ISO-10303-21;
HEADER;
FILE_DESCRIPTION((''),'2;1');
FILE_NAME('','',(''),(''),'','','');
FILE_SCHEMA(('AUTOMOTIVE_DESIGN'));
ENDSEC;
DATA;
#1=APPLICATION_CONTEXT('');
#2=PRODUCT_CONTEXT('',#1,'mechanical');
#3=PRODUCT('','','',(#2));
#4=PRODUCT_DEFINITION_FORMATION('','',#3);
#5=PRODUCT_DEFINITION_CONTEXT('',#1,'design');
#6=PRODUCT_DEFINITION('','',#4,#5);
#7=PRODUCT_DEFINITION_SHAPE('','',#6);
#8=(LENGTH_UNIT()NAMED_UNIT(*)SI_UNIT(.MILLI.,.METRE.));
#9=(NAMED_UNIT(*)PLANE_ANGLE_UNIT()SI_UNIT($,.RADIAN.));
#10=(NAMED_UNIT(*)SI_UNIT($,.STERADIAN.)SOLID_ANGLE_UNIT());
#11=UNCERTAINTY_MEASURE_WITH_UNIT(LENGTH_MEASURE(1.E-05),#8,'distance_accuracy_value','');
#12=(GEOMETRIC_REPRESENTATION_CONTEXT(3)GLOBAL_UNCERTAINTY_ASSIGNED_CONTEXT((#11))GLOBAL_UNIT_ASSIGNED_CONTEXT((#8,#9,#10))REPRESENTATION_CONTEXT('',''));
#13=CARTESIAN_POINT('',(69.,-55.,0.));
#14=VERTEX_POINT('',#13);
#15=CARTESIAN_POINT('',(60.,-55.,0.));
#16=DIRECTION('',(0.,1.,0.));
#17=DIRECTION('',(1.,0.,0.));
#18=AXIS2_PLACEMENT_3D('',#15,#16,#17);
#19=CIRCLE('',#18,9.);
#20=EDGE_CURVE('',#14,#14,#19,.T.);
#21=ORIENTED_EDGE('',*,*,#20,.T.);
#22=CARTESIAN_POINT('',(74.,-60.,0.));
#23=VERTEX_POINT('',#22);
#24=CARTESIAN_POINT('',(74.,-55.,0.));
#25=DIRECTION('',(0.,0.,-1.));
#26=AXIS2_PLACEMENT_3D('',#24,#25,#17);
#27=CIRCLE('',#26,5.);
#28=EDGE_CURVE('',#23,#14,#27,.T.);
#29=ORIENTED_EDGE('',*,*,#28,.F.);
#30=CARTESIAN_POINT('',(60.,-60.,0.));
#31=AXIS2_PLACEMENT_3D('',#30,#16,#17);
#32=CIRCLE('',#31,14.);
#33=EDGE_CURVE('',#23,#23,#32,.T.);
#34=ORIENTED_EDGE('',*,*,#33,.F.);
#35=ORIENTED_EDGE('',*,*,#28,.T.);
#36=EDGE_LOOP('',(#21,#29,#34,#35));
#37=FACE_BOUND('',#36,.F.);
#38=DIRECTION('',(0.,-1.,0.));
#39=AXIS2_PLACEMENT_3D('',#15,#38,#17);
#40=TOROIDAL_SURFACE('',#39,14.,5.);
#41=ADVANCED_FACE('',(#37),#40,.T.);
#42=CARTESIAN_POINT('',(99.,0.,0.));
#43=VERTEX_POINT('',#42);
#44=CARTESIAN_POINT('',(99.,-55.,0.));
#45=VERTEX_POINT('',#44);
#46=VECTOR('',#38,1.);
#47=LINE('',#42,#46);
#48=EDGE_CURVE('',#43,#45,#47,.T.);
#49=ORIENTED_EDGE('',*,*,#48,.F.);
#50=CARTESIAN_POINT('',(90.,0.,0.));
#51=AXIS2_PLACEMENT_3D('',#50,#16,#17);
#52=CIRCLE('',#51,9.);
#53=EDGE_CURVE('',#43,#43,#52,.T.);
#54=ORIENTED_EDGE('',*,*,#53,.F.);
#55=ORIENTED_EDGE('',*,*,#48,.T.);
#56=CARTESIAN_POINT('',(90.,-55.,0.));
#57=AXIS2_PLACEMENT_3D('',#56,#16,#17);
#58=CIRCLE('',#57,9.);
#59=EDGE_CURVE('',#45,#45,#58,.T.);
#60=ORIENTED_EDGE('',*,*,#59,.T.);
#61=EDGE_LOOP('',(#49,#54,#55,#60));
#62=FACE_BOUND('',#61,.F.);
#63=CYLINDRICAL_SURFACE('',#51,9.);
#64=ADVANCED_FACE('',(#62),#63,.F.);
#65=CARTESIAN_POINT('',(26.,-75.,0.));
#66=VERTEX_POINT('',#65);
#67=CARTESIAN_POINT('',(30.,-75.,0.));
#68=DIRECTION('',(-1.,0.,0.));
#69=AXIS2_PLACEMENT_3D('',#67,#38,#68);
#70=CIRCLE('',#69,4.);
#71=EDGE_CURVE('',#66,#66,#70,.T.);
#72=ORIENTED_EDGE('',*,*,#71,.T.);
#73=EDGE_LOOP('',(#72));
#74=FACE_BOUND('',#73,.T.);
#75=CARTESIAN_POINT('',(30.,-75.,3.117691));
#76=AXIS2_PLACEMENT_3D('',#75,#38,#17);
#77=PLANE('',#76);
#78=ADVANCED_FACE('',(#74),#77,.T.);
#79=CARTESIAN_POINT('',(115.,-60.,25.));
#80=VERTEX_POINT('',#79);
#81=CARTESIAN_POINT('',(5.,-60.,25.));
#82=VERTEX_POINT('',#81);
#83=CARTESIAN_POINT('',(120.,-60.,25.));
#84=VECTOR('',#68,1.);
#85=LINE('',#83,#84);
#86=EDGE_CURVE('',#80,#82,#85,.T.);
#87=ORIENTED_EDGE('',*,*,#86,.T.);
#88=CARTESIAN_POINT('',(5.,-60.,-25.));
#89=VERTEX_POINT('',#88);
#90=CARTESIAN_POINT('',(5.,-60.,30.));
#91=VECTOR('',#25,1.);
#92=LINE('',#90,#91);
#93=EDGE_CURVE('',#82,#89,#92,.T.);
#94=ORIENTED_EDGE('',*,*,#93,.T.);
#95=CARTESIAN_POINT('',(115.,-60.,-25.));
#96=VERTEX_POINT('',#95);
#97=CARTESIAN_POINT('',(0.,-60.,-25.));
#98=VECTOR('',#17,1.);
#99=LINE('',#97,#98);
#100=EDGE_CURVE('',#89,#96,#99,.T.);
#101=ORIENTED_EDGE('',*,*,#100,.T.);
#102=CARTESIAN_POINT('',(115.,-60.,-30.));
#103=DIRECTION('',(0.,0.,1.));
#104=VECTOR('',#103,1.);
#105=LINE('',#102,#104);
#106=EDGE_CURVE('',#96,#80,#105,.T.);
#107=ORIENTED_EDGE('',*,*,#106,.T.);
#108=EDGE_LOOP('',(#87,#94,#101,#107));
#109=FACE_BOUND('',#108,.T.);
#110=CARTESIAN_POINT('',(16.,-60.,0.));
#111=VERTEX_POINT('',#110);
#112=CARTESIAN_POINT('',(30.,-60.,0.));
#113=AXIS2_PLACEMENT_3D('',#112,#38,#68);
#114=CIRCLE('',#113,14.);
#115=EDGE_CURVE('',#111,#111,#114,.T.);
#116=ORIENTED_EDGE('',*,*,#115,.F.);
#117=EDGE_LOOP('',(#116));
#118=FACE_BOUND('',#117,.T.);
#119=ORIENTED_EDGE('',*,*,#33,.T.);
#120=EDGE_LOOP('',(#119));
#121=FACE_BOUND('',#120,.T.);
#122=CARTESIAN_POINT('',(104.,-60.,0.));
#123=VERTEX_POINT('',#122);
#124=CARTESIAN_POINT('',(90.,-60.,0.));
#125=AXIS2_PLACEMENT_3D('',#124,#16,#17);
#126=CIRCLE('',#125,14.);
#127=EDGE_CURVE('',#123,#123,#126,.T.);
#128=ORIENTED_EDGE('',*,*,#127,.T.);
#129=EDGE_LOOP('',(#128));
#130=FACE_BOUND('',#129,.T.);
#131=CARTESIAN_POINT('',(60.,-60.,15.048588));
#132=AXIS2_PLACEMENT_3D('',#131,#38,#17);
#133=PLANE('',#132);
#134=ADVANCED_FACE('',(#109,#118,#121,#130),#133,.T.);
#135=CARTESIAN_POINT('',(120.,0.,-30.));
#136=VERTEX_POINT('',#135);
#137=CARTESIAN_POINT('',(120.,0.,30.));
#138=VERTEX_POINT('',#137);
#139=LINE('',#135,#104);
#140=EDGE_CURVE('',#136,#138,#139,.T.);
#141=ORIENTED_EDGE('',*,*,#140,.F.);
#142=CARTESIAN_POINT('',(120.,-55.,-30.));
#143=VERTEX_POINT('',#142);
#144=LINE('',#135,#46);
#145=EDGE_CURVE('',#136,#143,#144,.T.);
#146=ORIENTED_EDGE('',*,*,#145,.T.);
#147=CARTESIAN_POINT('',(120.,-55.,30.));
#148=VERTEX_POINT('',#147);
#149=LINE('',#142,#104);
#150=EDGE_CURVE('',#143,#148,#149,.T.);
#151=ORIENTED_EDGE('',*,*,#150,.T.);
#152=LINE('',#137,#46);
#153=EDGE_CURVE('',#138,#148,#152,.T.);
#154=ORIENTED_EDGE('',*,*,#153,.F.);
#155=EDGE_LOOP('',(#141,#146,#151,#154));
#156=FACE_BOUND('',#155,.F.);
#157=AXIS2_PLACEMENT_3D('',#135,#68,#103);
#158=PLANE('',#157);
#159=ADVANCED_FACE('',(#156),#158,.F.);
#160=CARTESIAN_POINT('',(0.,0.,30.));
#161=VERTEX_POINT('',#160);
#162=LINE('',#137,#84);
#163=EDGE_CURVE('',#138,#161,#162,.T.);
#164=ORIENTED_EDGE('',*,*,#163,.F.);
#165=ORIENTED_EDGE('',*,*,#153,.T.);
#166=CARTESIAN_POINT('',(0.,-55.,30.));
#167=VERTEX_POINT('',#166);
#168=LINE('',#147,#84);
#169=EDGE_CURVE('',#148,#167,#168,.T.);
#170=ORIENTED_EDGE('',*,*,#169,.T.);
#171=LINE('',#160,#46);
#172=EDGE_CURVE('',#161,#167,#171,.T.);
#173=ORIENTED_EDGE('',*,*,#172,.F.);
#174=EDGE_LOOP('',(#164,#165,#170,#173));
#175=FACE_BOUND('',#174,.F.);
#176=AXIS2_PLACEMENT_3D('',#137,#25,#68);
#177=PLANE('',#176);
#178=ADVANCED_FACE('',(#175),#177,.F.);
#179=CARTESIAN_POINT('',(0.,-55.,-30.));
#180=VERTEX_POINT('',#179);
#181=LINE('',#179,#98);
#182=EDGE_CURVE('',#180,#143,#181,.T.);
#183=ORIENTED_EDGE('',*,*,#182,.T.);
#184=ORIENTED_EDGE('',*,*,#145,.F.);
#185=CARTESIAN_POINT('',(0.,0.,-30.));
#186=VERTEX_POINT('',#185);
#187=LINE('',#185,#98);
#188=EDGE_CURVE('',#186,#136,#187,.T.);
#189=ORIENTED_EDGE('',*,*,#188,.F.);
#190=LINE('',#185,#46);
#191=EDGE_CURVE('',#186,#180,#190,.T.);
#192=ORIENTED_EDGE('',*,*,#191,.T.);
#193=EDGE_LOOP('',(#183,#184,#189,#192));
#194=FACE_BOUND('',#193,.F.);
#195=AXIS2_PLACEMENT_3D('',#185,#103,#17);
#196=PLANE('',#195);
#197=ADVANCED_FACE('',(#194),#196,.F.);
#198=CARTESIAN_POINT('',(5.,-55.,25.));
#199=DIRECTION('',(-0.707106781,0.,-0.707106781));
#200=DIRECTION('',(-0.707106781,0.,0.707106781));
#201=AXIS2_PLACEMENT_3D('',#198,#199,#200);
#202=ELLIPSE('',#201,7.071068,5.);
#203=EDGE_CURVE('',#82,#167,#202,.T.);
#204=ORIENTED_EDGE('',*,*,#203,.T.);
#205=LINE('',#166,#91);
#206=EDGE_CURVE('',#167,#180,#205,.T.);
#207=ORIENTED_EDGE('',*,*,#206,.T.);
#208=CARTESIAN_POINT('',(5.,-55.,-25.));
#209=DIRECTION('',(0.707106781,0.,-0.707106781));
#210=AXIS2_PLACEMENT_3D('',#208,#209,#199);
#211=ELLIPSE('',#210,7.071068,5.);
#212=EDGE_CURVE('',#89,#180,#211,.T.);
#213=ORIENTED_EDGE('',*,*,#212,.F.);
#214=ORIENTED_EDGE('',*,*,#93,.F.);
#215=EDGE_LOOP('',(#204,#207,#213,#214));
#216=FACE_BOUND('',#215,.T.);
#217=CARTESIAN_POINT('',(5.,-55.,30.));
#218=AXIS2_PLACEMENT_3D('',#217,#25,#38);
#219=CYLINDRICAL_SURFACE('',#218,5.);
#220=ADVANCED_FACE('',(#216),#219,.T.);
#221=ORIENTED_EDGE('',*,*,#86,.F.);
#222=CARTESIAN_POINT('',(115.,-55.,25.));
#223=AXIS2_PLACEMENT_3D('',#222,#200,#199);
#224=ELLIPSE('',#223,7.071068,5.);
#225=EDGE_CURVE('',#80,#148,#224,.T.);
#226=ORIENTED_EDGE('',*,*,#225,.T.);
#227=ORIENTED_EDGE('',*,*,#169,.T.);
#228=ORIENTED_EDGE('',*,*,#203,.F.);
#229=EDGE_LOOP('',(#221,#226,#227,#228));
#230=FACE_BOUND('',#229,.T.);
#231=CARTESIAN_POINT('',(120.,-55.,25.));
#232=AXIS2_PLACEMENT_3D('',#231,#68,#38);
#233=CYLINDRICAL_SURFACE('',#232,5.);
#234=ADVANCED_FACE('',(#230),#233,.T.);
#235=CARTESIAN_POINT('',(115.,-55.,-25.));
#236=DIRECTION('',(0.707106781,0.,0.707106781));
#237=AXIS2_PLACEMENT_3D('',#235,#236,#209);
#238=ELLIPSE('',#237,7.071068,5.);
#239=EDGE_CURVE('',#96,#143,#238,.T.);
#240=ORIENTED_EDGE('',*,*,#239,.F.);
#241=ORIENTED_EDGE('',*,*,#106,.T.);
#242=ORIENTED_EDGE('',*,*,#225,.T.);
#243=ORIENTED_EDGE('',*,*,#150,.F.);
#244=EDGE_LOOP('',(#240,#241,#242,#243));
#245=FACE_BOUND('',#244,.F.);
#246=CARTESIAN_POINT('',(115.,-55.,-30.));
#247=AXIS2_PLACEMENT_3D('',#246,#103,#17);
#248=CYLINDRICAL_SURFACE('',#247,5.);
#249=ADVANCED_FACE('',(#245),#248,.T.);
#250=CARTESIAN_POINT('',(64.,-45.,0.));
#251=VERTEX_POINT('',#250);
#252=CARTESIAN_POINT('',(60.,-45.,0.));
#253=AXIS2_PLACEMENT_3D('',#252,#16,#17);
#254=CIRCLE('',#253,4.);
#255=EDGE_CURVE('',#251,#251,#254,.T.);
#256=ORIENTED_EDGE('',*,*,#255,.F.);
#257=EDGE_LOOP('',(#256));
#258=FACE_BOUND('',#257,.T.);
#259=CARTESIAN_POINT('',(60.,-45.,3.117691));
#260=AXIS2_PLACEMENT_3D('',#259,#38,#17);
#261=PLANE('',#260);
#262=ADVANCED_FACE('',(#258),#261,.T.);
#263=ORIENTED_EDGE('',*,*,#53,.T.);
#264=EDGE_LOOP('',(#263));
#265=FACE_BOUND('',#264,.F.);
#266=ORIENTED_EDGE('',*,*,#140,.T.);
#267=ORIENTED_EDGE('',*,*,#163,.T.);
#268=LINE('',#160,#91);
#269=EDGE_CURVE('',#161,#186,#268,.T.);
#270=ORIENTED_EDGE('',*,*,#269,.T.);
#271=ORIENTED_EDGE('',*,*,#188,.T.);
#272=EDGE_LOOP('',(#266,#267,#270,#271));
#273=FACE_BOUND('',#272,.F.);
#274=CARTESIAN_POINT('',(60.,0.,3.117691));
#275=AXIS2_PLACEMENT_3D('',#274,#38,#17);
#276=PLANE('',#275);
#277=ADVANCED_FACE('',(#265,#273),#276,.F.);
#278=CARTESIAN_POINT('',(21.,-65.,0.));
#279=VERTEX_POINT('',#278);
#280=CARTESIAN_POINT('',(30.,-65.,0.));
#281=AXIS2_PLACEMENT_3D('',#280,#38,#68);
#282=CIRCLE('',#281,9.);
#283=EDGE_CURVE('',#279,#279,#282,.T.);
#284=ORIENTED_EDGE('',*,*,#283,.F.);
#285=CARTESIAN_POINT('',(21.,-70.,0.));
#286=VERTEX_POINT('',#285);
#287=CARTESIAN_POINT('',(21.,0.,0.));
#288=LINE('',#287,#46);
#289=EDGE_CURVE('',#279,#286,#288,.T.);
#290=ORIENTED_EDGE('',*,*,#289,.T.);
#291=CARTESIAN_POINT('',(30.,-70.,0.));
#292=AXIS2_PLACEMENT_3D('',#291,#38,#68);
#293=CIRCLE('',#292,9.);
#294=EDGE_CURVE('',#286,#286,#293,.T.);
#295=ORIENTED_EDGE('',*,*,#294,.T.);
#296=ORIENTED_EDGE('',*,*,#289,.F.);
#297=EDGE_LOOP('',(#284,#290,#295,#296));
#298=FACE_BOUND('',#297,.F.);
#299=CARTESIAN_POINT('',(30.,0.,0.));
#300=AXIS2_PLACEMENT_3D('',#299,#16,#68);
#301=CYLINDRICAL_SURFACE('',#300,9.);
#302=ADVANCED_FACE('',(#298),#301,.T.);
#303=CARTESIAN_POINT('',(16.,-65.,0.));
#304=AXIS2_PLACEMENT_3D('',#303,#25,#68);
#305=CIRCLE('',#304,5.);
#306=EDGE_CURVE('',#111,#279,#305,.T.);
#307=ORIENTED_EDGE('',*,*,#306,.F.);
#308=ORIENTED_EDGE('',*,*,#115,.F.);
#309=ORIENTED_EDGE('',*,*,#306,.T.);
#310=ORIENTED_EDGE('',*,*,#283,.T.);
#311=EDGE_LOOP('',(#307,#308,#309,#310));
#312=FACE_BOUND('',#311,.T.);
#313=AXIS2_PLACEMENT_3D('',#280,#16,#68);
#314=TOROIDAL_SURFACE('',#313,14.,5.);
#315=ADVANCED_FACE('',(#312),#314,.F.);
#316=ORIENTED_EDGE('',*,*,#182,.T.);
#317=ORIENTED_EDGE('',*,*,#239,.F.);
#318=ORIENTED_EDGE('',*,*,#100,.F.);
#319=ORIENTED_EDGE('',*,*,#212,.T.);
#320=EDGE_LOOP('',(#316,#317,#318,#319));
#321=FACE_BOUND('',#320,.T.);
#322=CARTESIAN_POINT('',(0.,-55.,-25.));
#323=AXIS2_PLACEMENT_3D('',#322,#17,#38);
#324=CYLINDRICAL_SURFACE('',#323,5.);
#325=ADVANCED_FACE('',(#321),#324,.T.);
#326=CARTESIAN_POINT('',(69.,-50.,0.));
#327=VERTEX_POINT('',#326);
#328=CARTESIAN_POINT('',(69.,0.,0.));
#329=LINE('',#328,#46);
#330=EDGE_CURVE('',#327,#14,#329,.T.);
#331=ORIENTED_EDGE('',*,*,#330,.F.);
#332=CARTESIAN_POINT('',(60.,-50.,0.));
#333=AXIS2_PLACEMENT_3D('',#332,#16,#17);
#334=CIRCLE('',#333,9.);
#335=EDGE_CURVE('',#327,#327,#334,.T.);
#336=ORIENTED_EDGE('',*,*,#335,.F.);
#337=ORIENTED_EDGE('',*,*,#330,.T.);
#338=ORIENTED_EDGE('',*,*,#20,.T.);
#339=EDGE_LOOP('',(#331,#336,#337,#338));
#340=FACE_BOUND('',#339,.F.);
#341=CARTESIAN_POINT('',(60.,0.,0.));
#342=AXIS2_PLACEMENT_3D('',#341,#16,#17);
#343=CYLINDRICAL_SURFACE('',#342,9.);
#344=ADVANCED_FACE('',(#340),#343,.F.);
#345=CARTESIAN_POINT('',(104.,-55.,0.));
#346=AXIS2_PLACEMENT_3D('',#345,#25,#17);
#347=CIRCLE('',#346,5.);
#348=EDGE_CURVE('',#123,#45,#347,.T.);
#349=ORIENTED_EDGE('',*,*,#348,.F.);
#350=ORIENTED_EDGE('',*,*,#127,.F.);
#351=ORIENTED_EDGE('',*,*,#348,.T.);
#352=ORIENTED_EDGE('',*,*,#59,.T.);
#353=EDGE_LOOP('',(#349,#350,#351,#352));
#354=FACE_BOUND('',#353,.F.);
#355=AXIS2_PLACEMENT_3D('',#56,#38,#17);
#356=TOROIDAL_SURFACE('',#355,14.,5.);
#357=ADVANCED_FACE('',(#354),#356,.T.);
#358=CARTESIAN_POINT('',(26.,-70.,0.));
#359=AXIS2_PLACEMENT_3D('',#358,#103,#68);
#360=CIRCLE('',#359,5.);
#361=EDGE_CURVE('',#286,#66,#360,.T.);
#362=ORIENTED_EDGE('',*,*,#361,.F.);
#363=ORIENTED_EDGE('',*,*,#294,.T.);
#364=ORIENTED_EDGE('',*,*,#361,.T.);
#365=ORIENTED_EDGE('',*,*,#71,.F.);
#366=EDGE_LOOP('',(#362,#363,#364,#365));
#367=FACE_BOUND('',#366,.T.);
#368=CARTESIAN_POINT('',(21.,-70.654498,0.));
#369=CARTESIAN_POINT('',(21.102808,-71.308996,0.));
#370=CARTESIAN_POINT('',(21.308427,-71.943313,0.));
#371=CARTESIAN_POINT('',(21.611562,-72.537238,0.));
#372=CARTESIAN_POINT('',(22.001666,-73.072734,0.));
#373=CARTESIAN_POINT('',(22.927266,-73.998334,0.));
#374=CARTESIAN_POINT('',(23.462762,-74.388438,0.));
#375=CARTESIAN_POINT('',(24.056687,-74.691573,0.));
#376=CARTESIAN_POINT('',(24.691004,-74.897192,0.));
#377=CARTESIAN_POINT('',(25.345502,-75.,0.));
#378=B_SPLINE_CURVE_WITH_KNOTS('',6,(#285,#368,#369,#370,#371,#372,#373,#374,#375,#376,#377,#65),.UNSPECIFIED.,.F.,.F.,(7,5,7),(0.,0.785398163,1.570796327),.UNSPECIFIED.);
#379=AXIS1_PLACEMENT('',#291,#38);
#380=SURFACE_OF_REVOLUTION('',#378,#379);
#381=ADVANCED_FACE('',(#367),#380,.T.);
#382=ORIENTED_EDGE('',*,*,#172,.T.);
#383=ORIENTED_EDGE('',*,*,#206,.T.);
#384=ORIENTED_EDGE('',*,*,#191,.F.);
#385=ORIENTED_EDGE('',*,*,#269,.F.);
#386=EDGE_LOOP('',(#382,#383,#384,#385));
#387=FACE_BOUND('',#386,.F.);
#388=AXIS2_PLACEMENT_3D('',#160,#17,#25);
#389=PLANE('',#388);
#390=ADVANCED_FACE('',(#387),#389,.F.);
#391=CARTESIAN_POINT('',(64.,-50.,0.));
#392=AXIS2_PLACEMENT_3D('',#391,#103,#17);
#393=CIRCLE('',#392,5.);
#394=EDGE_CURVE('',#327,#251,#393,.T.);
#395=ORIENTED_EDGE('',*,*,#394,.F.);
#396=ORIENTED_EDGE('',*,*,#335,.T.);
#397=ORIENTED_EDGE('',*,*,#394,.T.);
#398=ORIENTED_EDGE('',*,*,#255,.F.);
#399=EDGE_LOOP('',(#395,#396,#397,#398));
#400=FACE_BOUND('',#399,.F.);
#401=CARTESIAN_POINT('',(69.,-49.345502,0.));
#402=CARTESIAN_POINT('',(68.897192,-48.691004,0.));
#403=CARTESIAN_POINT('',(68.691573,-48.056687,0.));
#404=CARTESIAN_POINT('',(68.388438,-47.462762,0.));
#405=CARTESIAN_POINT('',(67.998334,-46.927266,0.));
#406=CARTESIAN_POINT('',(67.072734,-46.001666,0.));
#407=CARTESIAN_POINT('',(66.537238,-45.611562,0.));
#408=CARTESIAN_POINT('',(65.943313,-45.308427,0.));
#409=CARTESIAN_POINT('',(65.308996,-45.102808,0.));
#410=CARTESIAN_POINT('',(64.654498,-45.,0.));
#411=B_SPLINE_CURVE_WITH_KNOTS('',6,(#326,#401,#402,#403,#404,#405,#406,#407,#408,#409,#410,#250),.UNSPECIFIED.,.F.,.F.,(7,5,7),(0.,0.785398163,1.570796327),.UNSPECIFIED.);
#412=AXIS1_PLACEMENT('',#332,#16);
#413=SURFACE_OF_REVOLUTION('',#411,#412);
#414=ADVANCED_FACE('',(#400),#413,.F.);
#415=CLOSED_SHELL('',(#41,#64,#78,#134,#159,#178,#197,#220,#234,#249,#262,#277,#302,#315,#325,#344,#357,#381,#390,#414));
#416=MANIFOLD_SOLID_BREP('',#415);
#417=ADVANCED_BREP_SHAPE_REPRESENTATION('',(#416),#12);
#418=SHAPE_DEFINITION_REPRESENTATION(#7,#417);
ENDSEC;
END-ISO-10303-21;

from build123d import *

# Parameters (mm, degrees)
F1_DEPTH = 60
F3_DEPTH = 75
F4_DEPTH = 45
F5_R     = 5
F6_R     = 5
F7_R     = 5


with BuildPart() as f1:
    # F0 (on Front) → F1 (new body)
    with BuildSketch(Plane.XZ):
        with BuildLine():
            ThreePointArc((81, 0), (90, 9), (99, 0))
            Line((99, 0), (120, 0))
            Line((120, 0), (120, 30))
            Line((120, 30), (0, 30))
            Line((0, 30), (0, 0))
            Line((0, 0), (21, 0))
            ThreePointArc((21, 0), (30, 9), (39, 0))
            Line((39, 0), (51, 0))
            ThreePointArc((51, 0), (60, 9), (69, 0))
            Line((69, 0), (81, 0))
        make_face()
        with BuildLine():
            Line((120, 0), (99, 0))
            ThreePointArc((99, 0), (90, -9), (81, 0))
            Line((81, 0), (69, 0))
            ThreePointArc((69, 0), (60, -9), (51, 0))
            Line((51, 0), (39, 0))
            ThreePointArc((39, 0), (30, -9), (21, 0))
            Line((21, 0), (0, 0))
            Line((0, 0), (0, -30))
            Line((0, -30), (120, -30))
            Line((120, -30), (120, 0))
        make_face()
    extrude(amount=F1_DEPTH)

    # F2 (on Front) → F3 (join)
    with BuildSketch(Plane.XZ):
        with BuildLine():
            ThreePointArc((39, 0), (30, 9), (21, 0))
            Line((21, 0), (30, 0))
            Line((30, 0), (39, 0))
        make_face()
        with BuildLine():
            Line((30, 0), (21, 0))
            ThreePointArc((21, 0), (30, -9), (39, 0))
            Line((39, 0), (30, 0))
        make_face()
    extrude(amount=F3_DEPTH)

    # F2 (on Front) → F4 (join)
    with BuildSketch(Plane.XZ):
        with BuildLine():
            ThreePointArc((69, 0), (60, 9), (51, 0))
            Line((51, 0), (60, 0))
            Line((60, 0), (69, 0))
        make_face()
        with BuildLine():
            Line((60, 0), (51, 0))
            ThreePointArc((51, 0), (60, -9), (69, 0))
            Line((69, 0), (60, 0))
        make_face()
    extrude(amount=F4_DEPTH)

    # F5
    f5_edges = [f1.edges().sort_by_distance(p)[0] for p in [
        (81, -60, 0),
        (60, -60, 30),
        (0, -60, 0),
        (60, -60, -30),
        (120, -60, 0),
        (39, -60, 0),
        (51, -60, 0),
    ]]
    fillet(f5_edges, radius=F5_R)

    # F6
    f6_edges = [f1.edges().sort_by_distance(p)[0] for p in [
        (39, -75, 0),
    ]]
    fillet(f6_edges, radius=F6_R)

    # F7
    f7_edges = [f1.edges().sort_by_distance(p)[0] for p in [
        (51, -45, 0),
    ]]
    fillet(f7_edges, radius=F7_R)


solid = f1.part
